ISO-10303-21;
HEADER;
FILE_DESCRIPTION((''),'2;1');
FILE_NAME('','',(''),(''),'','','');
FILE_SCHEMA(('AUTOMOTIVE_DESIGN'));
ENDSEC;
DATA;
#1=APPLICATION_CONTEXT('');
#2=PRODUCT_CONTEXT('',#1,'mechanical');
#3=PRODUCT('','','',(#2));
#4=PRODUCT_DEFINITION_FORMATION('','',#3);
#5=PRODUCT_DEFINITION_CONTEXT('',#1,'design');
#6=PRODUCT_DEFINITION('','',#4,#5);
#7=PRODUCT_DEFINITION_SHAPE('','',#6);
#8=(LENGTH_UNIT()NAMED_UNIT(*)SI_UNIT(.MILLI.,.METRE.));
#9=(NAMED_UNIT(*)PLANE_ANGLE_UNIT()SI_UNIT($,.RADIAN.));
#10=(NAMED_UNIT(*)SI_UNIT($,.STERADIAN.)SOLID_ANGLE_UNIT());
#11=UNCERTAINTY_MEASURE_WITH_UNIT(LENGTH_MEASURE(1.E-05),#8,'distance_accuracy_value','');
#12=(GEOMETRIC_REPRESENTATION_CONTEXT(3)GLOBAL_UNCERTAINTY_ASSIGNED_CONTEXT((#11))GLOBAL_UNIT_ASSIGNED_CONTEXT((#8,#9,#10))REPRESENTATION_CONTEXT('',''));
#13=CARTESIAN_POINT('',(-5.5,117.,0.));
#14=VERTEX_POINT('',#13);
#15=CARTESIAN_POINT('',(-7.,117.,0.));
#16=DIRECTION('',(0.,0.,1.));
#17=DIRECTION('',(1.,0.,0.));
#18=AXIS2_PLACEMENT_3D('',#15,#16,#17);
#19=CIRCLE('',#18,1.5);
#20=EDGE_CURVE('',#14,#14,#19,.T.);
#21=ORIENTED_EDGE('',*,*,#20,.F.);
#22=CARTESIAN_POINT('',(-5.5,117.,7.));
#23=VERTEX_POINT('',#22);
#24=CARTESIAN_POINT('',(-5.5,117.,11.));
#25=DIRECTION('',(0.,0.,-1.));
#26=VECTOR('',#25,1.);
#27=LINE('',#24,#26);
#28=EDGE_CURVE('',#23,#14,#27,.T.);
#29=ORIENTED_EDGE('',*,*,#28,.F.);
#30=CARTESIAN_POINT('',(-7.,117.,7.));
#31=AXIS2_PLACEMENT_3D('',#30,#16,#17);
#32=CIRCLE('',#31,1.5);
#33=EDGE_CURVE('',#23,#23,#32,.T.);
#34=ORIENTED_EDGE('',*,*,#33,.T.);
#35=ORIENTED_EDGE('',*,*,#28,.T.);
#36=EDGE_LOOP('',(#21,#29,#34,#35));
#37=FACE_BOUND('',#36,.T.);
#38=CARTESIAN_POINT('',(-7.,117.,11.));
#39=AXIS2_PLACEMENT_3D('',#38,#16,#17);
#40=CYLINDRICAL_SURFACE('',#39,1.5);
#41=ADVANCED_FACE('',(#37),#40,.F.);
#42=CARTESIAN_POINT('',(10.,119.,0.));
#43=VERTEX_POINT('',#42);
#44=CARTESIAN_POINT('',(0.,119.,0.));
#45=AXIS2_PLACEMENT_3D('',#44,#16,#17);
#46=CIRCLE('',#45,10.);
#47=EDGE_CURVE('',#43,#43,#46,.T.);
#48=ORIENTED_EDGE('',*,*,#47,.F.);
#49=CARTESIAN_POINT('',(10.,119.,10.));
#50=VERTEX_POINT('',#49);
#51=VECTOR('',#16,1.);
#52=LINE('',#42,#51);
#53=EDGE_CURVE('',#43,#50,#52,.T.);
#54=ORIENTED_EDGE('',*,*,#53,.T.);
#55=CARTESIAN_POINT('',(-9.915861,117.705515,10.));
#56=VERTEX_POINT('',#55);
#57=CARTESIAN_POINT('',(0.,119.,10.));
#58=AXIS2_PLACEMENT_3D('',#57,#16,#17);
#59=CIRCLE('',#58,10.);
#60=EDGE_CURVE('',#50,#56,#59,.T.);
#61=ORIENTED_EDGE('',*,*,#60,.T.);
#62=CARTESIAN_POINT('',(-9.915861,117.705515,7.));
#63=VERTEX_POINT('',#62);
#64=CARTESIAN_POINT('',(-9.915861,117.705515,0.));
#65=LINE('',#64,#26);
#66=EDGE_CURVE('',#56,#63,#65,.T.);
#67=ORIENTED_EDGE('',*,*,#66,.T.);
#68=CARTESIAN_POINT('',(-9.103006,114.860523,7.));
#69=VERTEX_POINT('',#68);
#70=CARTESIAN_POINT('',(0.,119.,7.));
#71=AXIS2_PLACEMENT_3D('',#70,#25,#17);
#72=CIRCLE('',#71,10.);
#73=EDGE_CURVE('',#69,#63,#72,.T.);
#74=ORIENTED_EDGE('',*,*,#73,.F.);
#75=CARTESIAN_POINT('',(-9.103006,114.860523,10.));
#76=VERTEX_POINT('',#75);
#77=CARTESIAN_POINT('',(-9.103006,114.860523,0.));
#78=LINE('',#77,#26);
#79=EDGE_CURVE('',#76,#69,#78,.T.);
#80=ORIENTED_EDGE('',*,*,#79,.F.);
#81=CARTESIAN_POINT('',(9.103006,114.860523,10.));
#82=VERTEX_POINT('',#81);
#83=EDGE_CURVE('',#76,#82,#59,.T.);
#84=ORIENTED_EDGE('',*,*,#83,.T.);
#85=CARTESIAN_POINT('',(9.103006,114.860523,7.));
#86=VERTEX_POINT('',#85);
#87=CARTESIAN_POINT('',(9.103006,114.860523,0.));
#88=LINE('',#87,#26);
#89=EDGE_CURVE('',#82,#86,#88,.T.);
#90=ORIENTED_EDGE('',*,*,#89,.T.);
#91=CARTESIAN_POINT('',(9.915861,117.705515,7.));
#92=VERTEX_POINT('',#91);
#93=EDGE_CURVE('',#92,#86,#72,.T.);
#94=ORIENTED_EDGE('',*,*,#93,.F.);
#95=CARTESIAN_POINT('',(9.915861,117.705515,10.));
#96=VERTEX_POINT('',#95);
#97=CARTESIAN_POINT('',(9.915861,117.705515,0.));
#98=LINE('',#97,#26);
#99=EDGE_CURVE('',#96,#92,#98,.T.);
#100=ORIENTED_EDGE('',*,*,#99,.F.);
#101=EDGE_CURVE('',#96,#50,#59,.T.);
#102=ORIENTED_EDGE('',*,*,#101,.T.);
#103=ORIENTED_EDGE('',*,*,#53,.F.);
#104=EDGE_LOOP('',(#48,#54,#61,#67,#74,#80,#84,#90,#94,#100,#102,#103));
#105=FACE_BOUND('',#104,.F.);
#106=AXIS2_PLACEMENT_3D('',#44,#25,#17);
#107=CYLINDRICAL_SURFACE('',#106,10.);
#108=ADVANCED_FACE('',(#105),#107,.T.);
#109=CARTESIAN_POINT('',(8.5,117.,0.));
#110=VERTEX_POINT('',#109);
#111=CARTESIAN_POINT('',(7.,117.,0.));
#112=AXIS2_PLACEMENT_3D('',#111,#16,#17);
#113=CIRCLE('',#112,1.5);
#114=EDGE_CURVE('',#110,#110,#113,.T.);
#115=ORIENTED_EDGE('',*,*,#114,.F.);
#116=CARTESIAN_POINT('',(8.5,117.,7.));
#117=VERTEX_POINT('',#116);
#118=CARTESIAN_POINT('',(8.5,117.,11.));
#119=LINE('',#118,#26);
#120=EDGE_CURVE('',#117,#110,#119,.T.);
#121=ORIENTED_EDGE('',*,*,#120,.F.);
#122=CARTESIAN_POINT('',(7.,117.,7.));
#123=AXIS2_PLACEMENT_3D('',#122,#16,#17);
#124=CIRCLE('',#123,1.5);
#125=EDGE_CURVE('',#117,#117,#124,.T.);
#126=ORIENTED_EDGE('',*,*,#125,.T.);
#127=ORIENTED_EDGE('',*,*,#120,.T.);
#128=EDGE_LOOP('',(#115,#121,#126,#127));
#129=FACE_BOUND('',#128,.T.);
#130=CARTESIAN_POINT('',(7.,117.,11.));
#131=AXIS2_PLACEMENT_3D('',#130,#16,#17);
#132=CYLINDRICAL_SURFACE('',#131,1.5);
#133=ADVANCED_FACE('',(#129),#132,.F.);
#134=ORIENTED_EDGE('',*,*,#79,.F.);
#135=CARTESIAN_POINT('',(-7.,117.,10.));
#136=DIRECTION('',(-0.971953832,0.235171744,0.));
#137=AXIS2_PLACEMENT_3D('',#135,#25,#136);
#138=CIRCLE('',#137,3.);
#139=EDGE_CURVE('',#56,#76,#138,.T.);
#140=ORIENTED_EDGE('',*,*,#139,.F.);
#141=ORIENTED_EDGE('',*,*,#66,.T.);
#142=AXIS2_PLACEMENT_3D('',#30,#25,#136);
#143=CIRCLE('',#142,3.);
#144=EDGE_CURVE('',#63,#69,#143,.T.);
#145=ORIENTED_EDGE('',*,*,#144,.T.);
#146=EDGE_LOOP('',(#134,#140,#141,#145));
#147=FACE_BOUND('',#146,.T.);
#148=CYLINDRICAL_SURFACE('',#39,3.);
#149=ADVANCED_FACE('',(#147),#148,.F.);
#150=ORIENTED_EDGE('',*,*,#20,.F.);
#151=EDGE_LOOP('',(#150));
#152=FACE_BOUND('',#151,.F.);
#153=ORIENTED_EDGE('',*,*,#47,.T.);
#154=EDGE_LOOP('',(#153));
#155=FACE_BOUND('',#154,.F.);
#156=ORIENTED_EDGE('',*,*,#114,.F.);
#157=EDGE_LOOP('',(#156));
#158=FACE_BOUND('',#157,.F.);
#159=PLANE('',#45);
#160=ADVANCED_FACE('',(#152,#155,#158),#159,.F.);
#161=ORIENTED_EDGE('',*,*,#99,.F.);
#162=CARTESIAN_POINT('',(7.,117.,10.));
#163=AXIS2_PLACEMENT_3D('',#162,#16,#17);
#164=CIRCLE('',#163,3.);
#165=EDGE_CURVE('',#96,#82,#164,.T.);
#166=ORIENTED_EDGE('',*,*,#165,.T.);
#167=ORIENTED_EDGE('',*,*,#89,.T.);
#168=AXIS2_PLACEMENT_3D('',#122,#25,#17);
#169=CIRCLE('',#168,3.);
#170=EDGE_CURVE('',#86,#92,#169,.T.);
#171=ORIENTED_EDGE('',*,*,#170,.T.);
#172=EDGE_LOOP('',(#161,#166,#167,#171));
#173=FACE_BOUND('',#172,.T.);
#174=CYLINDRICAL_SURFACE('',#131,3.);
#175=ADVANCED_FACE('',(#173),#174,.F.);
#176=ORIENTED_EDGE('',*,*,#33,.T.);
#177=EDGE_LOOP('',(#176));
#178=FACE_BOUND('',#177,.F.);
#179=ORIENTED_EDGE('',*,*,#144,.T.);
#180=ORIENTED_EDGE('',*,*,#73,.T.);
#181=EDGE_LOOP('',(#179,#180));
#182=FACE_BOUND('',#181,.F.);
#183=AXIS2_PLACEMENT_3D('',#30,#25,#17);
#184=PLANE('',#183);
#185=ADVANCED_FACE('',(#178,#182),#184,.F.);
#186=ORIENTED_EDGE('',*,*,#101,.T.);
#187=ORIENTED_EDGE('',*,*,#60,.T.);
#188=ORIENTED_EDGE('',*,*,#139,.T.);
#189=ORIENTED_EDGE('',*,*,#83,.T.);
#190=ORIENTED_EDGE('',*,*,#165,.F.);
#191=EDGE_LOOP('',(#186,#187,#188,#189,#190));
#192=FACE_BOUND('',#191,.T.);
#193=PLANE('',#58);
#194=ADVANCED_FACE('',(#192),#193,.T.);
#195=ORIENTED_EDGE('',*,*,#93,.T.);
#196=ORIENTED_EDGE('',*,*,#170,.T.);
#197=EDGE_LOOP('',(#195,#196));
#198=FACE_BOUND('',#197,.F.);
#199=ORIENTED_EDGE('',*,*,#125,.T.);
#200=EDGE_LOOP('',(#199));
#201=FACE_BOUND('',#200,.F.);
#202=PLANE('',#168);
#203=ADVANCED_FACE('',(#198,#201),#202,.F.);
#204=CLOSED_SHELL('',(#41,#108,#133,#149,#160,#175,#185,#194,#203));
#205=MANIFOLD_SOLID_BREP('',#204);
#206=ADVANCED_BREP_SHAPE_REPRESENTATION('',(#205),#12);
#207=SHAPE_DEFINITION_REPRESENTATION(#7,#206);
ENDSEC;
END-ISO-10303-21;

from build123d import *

# Parameters (mm, degrees)
CYLINDER568_R               = 3
CYLINDER568_DEPTH           = 4
CYLINDER569_R               = 3
CYLINDER569_DEPTH           = 4
CYLINDER563_R               = 3
CYLINDER563_DEPTH           = 4
CYLINDER570_R               = 3
CYLINDER570_DEPTH           = 4
COMPOUND332_PLACEMENT_ANGLE = 90
CYLINDER566_R               = 1.5
CYLINDER566_DEPTH           = 20
CYLINDER565_R               = 1.5
CYLINDER565_DEPTH           = 20
CYLINDER567_R               = 1.5
CYLINDER567_DEPTH           = 20
CYLINDER564_R               = 1.5
CYLINDER564_DEPTH           = 20
COMPOUND333_PLACEMENT_ANGLE = 90
CYLINDER534_R               = 10
CYLINDER534_DEPTH           = 10


with BuildPart() as v_lec568:
    # Cylinder568 → Cylinder568 (new body)
    with BuildSketch(Plane(origin=(-7, -34, 37), x_dir=(1, 0, 0), z_dir=(0, -1, 0))):
        Circle(CYLINDER568_R)
    extrude(amount=CYLINDER568_DEPTH)


with BuildPart() as v_lec569:
    # Cylinder569 → Cylinder569 (new body)
    with BuildSketch(Plane(origin=(7, -34, 73), x_dir=(1, 0, 0), z_dir=(0, -1, 0))):
        Circle(CYLINDER569_R)
    extrude(amount=CYLINDER569_DEPTH)


with BuildPart() as v_lec563:
    # Cylinder563 → Cylinder563 (new body)
    with BuildSketch(Plane(origin=(-7, -34, 73), x_dir=(1, 0, 0), z_dir=(0, -1, 0))):
        Circle(CYLINDER563_R)
    extrude(amount=CYLINDER563_DEPTH)


with BuildPart() as compound332:
    # Cylinder570 → Cylinder570 (new body)
    with BuildSketch(Plane(origin=(7, -34, 37), x_dir=(1, 0, 0), z_dir=(0, -1, 0))):
        Circle(CYLINDER570_R)
    extrude(amount=CYLINDER570_DEPTH)

    # Compound332: union Válec568, Válec569, Válec563
    add(v_lec568.part)
    add(v_lec569.part)
    add(v_lec563.part)


with BuildPart() as compound332_1:
    # Compound332 placement: moved
    add(compound332.part.moved(Location((0, 141, 45))).rotate(Axis((0, 141, 45), (1, 0, 0)), COMPOUND332_PLACEMENT_ANGLE))


with BuildPart() as v_lec566:
    # Cylinder566 → Cylinder566 (new body)
    with BuildSketch(Plane(origin=(-7, -34, 37), x_dir=(1, 0, 0), z_dir=(0, -1, 0))):
        Circle(CYLINDER566_R)
    extrude(amount=CYLINDER566_DEPTH)


with BuildPart() as v_lec565:
    # Cylinder565 → Cylinder565 (new body)
    with BuildSketch(Plane(origin=(7, -34, 73), x_dir=(1, 0, 0), z_dir=(0, -1, 0))):
        Circle(CYLINDER565_R)
    extrude(amount=CYLINDER565_DEPTH)


with BuildPart() as v_lec567:
    # Cylinder567 → Cylinder567 (new body)
    with BuildSketch(Plane(origin=(-7, -34, 73), x_dir=(1, 0, 0), z_dir=(0, -1, 0))):
        Circle(CYLINDER567_R)
    extrude(amount=CYLINDER567_DEPTH)


with BuildPart() as compound333:
    # Cylinder564 → Cylinder564 (new body)
    with BuildSketch(Plane(origin=(7, -34, 37), x_dir=(1, 0, 0), z_dir=(0, -1, 0))):
        Circle(CYLINDER564_R)
    extrude(amount=CYLINDER564_DEPTH)

    # Compound333: union Válec566, Válec565, Válec567
    add(v_lec566.part)
    add(v_lec565.part)
    add(v_lec567.part)


with BuildPart() as compound333_1:
    # Compound333 placement: moved
    add(compound333.part.moved(Location((0, 141, 45))).rotate(Axis((0, 141, 45), (1, 0, 0)), COMPOUND333_PLACEMENT_ANGLE))


with BuildPart() as cut190:
    # Cylinder534 → Cylinder534 (new body)
    with BuildSketch(Plane(origin=(0, 106, 0), x_dir=(1, 0, 0), z_dir=(0, 0, 1))):
        Circle(CYLINDER534_R)
    extrude(amount=CYLINDER534_DEPTH)

    # Cut189: cut Compound333
    add(compound333_1.part, mode=Mode.SUBTRACT)

    # Cut190: cut Compound332
    add(compound332_1.part, mode=Mode.SUBTRACT)


with BuildPart() as cut190_1:
    # Cut190 placement: moved
    add(cut190.part.moved(Location((0, 13, 0))))


solid = cut190_1.part
